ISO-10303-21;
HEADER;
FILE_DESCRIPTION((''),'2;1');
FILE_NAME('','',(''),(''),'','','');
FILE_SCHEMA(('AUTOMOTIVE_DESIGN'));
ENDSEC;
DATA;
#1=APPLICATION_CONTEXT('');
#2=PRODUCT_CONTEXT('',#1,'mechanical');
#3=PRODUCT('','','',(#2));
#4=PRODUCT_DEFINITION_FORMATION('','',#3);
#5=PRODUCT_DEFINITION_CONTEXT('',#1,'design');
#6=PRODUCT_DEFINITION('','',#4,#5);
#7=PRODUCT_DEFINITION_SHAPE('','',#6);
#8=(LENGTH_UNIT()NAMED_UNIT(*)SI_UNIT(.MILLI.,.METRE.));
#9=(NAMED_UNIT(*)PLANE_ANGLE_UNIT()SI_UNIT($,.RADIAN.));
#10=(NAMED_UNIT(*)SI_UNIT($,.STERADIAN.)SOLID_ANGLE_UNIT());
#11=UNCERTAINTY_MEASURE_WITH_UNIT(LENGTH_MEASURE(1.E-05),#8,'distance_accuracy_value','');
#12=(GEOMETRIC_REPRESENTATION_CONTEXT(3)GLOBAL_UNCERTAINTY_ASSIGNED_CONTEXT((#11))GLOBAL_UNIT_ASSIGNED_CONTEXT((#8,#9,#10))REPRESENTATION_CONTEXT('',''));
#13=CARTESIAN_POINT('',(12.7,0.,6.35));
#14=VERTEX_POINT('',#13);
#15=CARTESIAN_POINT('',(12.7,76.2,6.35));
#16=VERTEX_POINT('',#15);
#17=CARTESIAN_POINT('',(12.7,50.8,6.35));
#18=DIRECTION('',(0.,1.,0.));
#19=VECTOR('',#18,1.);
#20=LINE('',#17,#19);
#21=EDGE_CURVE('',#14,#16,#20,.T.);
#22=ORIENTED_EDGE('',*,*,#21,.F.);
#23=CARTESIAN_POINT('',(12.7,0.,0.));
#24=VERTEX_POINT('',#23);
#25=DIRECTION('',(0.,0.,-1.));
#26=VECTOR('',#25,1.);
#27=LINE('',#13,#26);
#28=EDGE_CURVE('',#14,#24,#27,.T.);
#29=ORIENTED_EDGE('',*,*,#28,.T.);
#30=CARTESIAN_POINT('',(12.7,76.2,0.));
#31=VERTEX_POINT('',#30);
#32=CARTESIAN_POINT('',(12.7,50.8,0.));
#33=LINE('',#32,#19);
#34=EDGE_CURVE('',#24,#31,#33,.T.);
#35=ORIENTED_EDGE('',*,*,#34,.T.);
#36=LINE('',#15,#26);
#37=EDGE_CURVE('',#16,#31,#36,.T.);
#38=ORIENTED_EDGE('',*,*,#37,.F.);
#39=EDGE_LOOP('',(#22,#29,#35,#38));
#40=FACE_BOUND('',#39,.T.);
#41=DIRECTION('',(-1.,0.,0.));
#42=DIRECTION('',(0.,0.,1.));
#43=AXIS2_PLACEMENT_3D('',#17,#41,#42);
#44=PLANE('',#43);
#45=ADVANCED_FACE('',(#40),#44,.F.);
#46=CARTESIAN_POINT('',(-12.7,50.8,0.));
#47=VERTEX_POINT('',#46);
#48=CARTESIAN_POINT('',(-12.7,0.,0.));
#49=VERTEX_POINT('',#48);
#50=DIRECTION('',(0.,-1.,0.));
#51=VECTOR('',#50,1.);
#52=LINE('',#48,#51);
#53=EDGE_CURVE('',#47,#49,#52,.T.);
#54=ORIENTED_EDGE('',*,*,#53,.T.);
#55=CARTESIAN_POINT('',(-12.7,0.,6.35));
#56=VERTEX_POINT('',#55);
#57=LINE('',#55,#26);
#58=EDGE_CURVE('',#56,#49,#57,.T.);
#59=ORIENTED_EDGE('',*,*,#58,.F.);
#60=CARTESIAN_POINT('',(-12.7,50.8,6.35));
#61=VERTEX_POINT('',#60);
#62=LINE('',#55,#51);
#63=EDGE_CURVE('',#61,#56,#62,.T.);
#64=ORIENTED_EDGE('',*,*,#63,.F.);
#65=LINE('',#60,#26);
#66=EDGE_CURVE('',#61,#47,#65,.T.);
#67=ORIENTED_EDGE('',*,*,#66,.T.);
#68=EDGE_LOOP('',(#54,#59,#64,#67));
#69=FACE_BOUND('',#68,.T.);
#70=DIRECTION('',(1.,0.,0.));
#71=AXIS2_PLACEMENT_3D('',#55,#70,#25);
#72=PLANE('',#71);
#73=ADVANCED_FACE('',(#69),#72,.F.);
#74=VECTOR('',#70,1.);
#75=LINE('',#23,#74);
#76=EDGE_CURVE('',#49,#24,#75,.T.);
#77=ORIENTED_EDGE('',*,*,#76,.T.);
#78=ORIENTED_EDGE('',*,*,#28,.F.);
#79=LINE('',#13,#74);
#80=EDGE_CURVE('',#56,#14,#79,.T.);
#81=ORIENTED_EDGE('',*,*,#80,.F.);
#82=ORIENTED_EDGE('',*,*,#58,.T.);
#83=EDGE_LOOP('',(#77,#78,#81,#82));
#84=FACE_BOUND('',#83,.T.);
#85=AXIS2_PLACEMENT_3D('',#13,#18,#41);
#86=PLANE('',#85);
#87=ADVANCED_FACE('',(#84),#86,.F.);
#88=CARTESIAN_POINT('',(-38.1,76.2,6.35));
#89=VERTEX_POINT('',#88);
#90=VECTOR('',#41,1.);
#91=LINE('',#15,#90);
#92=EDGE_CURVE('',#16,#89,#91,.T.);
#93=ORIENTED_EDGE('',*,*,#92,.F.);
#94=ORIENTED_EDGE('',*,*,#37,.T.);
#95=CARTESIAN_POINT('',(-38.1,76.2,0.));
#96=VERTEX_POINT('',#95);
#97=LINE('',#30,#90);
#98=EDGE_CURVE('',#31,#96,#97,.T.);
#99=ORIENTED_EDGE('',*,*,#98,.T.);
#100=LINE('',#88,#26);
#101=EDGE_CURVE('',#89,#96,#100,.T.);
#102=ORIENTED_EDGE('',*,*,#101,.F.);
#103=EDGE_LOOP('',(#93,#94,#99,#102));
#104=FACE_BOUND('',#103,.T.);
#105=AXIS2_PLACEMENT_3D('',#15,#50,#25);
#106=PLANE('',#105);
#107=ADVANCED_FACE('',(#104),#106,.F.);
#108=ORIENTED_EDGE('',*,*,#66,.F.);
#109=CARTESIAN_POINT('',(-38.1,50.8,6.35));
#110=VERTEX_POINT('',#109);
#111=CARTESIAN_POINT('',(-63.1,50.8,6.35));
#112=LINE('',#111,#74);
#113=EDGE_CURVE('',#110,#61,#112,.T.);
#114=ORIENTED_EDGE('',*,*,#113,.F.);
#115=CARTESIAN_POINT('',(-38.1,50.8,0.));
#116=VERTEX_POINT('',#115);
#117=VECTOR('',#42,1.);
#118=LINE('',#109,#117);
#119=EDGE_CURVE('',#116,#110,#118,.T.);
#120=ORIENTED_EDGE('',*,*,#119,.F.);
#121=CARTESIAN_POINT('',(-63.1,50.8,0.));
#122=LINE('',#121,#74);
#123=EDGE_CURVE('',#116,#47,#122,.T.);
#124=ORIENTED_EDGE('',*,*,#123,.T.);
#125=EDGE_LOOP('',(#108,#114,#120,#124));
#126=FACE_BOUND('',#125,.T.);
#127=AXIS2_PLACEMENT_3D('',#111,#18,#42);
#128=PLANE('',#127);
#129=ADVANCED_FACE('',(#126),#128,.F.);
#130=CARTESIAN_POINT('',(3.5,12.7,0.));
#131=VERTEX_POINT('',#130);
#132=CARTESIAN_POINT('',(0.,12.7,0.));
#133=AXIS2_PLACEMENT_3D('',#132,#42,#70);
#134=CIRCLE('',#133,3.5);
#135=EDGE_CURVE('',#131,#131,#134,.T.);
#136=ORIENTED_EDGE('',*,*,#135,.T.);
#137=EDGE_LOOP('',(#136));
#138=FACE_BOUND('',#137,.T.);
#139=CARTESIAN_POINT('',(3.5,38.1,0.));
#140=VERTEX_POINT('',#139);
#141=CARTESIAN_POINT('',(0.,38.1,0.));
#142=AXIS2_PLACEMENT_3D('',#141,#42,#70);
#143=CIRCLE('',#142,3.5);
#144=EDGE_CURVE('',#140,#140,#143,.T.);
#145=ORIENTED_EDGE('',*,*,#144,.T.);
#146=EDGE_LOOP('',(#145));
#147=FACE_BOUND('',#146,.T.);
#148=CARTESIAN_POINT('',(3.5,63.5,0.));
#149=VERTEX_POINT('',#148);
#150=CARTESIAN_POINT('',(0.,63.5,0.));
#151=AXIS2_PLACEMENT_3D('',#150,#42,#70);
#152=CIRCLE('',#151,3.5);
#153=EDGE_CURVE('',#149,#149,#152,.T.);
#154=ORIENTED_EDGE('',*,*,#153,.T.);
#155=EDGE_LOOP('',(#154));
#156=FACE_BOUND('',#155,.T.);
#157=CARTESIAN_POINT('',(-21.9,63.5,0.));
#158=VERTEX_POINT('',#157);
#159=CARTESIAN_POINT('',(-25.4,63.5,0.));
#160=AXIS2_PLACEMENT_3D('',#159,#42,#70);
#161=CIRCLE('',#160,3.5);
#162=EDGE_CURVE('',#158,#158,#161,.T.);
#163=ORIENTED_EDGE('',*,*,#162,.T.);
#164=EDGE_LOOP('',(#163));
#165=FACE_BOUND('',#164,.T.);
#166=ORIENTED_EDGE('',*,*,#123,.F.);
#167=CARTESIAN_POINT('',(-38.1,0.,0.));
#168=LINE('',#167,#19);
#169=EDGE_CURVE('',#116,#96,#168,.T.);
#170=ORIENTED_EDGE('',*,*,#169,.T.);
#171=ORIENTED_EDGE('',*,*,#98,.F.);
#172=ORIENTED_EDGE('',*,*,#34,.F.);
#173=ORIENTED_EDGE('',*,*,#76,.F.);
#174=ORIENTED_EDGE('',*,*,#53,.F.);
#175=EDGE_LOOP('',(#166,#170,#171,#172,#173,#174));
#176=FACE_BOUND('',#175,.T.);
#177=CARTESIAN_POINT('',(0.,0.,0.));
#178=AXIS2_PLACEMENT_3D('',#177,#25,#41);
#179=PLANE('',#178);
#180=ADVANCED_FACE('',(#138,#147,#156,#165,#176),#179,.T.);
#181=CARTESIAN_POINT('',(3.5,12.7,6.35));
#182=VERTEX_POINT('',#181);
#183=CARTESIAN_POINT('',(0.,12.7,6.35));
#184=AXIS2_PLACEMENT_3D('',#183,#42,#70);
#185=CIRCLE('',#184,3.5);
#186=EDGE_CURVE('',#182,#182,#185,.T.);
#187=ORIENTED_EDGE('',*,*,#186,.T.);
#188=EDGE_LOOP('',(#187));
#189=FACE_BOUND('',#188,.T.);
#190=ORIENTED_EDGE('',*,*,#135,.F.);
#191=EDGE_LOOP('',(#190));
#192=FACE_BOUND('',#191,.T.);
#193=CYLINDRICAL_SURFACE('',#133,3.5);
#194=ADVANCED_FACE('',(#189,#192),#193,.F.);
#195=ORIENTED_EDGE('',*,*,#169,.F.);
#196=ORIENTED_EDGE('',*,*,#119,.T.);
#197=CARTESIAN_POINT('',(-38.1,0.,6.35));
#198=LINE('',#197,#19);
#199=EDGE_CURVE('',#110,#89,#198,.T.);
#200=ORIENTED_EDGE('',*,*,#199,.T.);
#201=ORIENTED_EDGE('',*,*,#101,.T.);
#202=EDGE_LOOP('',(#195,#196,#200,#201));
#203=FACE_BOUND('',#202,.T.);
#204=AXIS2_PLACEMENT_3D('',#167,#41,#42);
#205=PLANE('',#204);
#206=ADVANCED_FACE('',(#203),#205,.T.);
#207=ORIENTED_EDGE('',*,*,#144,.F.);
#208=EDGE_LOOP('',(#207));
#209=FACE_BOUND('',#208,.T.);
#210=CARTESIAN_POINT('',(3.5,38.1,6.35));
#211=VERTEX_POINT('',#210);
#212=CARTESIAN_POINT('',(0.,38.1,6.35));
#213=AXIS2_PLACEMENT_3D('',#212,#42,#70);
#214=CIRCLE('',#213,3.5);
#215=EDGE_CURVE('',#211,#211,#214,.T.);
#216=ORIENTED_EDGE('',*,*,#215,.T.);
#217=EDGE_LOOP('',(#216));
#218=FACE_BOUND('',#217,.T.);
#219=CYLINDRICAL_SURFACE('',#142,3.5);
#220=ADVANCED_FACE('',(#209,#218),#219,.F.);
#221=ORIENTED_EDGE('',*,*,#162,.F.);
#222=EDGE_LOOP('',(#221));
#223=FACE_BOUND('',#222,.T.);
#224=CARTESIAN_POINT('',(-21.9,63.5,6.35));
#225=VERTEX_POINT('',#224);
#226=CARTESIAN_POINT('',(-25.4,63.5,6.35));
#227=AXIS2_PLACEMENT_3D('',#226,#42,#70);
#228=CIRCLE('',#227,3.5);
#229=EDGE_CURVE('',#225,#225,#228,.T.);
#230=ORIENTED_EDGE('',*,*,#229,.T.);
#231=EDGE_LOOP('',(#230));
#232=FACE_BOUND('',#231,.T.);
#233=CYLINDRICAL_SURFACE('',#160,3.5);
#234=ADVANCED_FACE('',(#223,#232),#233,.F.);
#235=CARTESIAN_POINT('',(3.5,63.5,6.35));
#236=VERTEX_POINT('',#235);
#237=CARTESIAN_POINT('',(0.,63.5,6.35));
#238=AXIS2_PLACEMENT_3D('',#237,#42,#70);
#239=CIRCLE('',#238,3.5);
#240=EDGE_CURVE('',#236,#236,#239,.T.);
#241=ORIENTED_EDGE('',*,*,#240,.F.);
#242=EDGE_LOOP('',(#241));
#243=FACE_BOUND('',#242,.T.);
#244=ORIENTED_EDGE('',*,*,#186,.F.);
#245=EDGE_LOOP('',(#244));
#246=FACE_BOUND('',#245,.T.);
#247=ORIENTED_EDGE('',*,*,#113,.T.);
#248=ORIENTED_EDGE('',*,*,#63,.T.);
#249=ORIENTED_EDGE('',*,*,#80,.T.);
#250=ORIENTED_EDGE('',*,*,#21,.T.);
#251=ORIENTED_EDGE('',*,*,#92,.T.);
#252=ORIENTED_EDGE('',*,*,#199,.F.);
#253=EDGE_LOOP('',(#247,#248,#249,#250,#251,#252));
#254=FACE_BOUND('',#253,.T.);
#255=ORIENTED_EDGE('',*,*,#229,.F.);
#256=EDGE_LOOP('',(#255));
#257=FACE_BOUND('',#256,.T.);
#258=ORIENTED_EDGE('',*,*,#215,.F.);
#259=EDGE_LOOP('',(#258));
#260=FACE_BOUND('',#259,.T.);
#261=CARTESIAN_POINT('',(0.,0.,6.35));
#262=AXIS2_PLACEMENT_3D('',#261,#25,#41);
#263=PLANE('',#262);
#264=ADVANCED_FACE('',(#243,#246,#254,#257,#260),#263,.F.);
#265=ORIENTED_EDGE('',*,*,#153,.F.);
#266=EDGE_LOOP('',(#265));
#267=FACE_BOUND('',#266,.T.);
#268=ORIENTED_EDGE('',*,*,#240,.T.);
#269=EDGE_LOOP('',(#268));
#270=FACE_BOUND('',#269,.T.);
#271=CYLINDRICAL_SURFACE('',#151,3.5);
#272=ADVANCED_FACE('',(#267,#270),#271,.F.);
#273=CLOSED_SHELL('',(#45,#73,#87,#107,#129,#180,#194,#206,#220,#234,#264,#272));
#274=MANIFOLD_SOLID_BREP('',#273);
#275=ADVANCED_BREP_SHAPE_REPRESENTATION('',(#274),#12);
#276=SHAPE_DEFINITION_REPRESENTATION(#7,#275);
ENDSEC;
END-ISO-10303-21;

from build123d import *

# Parameters (mm, degrees)
BOSS_EXTRUDE1_DEPTH = 6.35
SKETCH2_R           = 3.5
CUT_EXTRUDE1_DEPTH  = 7.35
SKETCH3_W           = 14.231578179
SKETCH3_H           = 34.511577086
CUT_EXTRUDE2_DEPTH  = 25


with BuildPart() as part:
    # Sketch1 → Boss-Extrude1 (new body)
    with BuildSketch(Plane.XY):
        Polygon((12.7, 0), (-12.7, 0), (-12.7, 50.8), (-63.1, 50.8), (-63.1, 76.2), (12.7, 76.2), (12.7, 50.8), align=None)
    extrude(amount=BOSS_EXTRUDE1_DEPTH)

    # Sketch2 → Cut-Extrude1 (cut, through all)
    with BuildSketch(Plane.XY.offset(6.35)):
        with Locations((0, 63.5)):
            Circle(SKETCH2_R)
        with Locations((-25.4, 63.5)):
            Circle(SKETCH2_R)
        with Locations((0, 38.1)):
            Circle(SKETCH2_R)
        with Locations((0, 12.7)):
            Circle(SKETCH2_R)
        with Locations((-50.8, 63.5)):
            Circle(SKETCH2_R)
    extrude(amount=-CUT_EXTRUDE1_DEPTH, mode=Mode.SUBTRACT)

    # Sketch3 → Cut-Extrude2 (cut)
    with BuildSketch(Plane.ZY.offset(63.1)):
        with Locations((3.571370897, 64.988127963)):
            Rectangle(SKETCH3_W, SKETCH3_H)
    extrude(amount=-CUT_EXTRUDE2_DEPTH, mode=Mode.SUBTRACT)


solid = part.part
